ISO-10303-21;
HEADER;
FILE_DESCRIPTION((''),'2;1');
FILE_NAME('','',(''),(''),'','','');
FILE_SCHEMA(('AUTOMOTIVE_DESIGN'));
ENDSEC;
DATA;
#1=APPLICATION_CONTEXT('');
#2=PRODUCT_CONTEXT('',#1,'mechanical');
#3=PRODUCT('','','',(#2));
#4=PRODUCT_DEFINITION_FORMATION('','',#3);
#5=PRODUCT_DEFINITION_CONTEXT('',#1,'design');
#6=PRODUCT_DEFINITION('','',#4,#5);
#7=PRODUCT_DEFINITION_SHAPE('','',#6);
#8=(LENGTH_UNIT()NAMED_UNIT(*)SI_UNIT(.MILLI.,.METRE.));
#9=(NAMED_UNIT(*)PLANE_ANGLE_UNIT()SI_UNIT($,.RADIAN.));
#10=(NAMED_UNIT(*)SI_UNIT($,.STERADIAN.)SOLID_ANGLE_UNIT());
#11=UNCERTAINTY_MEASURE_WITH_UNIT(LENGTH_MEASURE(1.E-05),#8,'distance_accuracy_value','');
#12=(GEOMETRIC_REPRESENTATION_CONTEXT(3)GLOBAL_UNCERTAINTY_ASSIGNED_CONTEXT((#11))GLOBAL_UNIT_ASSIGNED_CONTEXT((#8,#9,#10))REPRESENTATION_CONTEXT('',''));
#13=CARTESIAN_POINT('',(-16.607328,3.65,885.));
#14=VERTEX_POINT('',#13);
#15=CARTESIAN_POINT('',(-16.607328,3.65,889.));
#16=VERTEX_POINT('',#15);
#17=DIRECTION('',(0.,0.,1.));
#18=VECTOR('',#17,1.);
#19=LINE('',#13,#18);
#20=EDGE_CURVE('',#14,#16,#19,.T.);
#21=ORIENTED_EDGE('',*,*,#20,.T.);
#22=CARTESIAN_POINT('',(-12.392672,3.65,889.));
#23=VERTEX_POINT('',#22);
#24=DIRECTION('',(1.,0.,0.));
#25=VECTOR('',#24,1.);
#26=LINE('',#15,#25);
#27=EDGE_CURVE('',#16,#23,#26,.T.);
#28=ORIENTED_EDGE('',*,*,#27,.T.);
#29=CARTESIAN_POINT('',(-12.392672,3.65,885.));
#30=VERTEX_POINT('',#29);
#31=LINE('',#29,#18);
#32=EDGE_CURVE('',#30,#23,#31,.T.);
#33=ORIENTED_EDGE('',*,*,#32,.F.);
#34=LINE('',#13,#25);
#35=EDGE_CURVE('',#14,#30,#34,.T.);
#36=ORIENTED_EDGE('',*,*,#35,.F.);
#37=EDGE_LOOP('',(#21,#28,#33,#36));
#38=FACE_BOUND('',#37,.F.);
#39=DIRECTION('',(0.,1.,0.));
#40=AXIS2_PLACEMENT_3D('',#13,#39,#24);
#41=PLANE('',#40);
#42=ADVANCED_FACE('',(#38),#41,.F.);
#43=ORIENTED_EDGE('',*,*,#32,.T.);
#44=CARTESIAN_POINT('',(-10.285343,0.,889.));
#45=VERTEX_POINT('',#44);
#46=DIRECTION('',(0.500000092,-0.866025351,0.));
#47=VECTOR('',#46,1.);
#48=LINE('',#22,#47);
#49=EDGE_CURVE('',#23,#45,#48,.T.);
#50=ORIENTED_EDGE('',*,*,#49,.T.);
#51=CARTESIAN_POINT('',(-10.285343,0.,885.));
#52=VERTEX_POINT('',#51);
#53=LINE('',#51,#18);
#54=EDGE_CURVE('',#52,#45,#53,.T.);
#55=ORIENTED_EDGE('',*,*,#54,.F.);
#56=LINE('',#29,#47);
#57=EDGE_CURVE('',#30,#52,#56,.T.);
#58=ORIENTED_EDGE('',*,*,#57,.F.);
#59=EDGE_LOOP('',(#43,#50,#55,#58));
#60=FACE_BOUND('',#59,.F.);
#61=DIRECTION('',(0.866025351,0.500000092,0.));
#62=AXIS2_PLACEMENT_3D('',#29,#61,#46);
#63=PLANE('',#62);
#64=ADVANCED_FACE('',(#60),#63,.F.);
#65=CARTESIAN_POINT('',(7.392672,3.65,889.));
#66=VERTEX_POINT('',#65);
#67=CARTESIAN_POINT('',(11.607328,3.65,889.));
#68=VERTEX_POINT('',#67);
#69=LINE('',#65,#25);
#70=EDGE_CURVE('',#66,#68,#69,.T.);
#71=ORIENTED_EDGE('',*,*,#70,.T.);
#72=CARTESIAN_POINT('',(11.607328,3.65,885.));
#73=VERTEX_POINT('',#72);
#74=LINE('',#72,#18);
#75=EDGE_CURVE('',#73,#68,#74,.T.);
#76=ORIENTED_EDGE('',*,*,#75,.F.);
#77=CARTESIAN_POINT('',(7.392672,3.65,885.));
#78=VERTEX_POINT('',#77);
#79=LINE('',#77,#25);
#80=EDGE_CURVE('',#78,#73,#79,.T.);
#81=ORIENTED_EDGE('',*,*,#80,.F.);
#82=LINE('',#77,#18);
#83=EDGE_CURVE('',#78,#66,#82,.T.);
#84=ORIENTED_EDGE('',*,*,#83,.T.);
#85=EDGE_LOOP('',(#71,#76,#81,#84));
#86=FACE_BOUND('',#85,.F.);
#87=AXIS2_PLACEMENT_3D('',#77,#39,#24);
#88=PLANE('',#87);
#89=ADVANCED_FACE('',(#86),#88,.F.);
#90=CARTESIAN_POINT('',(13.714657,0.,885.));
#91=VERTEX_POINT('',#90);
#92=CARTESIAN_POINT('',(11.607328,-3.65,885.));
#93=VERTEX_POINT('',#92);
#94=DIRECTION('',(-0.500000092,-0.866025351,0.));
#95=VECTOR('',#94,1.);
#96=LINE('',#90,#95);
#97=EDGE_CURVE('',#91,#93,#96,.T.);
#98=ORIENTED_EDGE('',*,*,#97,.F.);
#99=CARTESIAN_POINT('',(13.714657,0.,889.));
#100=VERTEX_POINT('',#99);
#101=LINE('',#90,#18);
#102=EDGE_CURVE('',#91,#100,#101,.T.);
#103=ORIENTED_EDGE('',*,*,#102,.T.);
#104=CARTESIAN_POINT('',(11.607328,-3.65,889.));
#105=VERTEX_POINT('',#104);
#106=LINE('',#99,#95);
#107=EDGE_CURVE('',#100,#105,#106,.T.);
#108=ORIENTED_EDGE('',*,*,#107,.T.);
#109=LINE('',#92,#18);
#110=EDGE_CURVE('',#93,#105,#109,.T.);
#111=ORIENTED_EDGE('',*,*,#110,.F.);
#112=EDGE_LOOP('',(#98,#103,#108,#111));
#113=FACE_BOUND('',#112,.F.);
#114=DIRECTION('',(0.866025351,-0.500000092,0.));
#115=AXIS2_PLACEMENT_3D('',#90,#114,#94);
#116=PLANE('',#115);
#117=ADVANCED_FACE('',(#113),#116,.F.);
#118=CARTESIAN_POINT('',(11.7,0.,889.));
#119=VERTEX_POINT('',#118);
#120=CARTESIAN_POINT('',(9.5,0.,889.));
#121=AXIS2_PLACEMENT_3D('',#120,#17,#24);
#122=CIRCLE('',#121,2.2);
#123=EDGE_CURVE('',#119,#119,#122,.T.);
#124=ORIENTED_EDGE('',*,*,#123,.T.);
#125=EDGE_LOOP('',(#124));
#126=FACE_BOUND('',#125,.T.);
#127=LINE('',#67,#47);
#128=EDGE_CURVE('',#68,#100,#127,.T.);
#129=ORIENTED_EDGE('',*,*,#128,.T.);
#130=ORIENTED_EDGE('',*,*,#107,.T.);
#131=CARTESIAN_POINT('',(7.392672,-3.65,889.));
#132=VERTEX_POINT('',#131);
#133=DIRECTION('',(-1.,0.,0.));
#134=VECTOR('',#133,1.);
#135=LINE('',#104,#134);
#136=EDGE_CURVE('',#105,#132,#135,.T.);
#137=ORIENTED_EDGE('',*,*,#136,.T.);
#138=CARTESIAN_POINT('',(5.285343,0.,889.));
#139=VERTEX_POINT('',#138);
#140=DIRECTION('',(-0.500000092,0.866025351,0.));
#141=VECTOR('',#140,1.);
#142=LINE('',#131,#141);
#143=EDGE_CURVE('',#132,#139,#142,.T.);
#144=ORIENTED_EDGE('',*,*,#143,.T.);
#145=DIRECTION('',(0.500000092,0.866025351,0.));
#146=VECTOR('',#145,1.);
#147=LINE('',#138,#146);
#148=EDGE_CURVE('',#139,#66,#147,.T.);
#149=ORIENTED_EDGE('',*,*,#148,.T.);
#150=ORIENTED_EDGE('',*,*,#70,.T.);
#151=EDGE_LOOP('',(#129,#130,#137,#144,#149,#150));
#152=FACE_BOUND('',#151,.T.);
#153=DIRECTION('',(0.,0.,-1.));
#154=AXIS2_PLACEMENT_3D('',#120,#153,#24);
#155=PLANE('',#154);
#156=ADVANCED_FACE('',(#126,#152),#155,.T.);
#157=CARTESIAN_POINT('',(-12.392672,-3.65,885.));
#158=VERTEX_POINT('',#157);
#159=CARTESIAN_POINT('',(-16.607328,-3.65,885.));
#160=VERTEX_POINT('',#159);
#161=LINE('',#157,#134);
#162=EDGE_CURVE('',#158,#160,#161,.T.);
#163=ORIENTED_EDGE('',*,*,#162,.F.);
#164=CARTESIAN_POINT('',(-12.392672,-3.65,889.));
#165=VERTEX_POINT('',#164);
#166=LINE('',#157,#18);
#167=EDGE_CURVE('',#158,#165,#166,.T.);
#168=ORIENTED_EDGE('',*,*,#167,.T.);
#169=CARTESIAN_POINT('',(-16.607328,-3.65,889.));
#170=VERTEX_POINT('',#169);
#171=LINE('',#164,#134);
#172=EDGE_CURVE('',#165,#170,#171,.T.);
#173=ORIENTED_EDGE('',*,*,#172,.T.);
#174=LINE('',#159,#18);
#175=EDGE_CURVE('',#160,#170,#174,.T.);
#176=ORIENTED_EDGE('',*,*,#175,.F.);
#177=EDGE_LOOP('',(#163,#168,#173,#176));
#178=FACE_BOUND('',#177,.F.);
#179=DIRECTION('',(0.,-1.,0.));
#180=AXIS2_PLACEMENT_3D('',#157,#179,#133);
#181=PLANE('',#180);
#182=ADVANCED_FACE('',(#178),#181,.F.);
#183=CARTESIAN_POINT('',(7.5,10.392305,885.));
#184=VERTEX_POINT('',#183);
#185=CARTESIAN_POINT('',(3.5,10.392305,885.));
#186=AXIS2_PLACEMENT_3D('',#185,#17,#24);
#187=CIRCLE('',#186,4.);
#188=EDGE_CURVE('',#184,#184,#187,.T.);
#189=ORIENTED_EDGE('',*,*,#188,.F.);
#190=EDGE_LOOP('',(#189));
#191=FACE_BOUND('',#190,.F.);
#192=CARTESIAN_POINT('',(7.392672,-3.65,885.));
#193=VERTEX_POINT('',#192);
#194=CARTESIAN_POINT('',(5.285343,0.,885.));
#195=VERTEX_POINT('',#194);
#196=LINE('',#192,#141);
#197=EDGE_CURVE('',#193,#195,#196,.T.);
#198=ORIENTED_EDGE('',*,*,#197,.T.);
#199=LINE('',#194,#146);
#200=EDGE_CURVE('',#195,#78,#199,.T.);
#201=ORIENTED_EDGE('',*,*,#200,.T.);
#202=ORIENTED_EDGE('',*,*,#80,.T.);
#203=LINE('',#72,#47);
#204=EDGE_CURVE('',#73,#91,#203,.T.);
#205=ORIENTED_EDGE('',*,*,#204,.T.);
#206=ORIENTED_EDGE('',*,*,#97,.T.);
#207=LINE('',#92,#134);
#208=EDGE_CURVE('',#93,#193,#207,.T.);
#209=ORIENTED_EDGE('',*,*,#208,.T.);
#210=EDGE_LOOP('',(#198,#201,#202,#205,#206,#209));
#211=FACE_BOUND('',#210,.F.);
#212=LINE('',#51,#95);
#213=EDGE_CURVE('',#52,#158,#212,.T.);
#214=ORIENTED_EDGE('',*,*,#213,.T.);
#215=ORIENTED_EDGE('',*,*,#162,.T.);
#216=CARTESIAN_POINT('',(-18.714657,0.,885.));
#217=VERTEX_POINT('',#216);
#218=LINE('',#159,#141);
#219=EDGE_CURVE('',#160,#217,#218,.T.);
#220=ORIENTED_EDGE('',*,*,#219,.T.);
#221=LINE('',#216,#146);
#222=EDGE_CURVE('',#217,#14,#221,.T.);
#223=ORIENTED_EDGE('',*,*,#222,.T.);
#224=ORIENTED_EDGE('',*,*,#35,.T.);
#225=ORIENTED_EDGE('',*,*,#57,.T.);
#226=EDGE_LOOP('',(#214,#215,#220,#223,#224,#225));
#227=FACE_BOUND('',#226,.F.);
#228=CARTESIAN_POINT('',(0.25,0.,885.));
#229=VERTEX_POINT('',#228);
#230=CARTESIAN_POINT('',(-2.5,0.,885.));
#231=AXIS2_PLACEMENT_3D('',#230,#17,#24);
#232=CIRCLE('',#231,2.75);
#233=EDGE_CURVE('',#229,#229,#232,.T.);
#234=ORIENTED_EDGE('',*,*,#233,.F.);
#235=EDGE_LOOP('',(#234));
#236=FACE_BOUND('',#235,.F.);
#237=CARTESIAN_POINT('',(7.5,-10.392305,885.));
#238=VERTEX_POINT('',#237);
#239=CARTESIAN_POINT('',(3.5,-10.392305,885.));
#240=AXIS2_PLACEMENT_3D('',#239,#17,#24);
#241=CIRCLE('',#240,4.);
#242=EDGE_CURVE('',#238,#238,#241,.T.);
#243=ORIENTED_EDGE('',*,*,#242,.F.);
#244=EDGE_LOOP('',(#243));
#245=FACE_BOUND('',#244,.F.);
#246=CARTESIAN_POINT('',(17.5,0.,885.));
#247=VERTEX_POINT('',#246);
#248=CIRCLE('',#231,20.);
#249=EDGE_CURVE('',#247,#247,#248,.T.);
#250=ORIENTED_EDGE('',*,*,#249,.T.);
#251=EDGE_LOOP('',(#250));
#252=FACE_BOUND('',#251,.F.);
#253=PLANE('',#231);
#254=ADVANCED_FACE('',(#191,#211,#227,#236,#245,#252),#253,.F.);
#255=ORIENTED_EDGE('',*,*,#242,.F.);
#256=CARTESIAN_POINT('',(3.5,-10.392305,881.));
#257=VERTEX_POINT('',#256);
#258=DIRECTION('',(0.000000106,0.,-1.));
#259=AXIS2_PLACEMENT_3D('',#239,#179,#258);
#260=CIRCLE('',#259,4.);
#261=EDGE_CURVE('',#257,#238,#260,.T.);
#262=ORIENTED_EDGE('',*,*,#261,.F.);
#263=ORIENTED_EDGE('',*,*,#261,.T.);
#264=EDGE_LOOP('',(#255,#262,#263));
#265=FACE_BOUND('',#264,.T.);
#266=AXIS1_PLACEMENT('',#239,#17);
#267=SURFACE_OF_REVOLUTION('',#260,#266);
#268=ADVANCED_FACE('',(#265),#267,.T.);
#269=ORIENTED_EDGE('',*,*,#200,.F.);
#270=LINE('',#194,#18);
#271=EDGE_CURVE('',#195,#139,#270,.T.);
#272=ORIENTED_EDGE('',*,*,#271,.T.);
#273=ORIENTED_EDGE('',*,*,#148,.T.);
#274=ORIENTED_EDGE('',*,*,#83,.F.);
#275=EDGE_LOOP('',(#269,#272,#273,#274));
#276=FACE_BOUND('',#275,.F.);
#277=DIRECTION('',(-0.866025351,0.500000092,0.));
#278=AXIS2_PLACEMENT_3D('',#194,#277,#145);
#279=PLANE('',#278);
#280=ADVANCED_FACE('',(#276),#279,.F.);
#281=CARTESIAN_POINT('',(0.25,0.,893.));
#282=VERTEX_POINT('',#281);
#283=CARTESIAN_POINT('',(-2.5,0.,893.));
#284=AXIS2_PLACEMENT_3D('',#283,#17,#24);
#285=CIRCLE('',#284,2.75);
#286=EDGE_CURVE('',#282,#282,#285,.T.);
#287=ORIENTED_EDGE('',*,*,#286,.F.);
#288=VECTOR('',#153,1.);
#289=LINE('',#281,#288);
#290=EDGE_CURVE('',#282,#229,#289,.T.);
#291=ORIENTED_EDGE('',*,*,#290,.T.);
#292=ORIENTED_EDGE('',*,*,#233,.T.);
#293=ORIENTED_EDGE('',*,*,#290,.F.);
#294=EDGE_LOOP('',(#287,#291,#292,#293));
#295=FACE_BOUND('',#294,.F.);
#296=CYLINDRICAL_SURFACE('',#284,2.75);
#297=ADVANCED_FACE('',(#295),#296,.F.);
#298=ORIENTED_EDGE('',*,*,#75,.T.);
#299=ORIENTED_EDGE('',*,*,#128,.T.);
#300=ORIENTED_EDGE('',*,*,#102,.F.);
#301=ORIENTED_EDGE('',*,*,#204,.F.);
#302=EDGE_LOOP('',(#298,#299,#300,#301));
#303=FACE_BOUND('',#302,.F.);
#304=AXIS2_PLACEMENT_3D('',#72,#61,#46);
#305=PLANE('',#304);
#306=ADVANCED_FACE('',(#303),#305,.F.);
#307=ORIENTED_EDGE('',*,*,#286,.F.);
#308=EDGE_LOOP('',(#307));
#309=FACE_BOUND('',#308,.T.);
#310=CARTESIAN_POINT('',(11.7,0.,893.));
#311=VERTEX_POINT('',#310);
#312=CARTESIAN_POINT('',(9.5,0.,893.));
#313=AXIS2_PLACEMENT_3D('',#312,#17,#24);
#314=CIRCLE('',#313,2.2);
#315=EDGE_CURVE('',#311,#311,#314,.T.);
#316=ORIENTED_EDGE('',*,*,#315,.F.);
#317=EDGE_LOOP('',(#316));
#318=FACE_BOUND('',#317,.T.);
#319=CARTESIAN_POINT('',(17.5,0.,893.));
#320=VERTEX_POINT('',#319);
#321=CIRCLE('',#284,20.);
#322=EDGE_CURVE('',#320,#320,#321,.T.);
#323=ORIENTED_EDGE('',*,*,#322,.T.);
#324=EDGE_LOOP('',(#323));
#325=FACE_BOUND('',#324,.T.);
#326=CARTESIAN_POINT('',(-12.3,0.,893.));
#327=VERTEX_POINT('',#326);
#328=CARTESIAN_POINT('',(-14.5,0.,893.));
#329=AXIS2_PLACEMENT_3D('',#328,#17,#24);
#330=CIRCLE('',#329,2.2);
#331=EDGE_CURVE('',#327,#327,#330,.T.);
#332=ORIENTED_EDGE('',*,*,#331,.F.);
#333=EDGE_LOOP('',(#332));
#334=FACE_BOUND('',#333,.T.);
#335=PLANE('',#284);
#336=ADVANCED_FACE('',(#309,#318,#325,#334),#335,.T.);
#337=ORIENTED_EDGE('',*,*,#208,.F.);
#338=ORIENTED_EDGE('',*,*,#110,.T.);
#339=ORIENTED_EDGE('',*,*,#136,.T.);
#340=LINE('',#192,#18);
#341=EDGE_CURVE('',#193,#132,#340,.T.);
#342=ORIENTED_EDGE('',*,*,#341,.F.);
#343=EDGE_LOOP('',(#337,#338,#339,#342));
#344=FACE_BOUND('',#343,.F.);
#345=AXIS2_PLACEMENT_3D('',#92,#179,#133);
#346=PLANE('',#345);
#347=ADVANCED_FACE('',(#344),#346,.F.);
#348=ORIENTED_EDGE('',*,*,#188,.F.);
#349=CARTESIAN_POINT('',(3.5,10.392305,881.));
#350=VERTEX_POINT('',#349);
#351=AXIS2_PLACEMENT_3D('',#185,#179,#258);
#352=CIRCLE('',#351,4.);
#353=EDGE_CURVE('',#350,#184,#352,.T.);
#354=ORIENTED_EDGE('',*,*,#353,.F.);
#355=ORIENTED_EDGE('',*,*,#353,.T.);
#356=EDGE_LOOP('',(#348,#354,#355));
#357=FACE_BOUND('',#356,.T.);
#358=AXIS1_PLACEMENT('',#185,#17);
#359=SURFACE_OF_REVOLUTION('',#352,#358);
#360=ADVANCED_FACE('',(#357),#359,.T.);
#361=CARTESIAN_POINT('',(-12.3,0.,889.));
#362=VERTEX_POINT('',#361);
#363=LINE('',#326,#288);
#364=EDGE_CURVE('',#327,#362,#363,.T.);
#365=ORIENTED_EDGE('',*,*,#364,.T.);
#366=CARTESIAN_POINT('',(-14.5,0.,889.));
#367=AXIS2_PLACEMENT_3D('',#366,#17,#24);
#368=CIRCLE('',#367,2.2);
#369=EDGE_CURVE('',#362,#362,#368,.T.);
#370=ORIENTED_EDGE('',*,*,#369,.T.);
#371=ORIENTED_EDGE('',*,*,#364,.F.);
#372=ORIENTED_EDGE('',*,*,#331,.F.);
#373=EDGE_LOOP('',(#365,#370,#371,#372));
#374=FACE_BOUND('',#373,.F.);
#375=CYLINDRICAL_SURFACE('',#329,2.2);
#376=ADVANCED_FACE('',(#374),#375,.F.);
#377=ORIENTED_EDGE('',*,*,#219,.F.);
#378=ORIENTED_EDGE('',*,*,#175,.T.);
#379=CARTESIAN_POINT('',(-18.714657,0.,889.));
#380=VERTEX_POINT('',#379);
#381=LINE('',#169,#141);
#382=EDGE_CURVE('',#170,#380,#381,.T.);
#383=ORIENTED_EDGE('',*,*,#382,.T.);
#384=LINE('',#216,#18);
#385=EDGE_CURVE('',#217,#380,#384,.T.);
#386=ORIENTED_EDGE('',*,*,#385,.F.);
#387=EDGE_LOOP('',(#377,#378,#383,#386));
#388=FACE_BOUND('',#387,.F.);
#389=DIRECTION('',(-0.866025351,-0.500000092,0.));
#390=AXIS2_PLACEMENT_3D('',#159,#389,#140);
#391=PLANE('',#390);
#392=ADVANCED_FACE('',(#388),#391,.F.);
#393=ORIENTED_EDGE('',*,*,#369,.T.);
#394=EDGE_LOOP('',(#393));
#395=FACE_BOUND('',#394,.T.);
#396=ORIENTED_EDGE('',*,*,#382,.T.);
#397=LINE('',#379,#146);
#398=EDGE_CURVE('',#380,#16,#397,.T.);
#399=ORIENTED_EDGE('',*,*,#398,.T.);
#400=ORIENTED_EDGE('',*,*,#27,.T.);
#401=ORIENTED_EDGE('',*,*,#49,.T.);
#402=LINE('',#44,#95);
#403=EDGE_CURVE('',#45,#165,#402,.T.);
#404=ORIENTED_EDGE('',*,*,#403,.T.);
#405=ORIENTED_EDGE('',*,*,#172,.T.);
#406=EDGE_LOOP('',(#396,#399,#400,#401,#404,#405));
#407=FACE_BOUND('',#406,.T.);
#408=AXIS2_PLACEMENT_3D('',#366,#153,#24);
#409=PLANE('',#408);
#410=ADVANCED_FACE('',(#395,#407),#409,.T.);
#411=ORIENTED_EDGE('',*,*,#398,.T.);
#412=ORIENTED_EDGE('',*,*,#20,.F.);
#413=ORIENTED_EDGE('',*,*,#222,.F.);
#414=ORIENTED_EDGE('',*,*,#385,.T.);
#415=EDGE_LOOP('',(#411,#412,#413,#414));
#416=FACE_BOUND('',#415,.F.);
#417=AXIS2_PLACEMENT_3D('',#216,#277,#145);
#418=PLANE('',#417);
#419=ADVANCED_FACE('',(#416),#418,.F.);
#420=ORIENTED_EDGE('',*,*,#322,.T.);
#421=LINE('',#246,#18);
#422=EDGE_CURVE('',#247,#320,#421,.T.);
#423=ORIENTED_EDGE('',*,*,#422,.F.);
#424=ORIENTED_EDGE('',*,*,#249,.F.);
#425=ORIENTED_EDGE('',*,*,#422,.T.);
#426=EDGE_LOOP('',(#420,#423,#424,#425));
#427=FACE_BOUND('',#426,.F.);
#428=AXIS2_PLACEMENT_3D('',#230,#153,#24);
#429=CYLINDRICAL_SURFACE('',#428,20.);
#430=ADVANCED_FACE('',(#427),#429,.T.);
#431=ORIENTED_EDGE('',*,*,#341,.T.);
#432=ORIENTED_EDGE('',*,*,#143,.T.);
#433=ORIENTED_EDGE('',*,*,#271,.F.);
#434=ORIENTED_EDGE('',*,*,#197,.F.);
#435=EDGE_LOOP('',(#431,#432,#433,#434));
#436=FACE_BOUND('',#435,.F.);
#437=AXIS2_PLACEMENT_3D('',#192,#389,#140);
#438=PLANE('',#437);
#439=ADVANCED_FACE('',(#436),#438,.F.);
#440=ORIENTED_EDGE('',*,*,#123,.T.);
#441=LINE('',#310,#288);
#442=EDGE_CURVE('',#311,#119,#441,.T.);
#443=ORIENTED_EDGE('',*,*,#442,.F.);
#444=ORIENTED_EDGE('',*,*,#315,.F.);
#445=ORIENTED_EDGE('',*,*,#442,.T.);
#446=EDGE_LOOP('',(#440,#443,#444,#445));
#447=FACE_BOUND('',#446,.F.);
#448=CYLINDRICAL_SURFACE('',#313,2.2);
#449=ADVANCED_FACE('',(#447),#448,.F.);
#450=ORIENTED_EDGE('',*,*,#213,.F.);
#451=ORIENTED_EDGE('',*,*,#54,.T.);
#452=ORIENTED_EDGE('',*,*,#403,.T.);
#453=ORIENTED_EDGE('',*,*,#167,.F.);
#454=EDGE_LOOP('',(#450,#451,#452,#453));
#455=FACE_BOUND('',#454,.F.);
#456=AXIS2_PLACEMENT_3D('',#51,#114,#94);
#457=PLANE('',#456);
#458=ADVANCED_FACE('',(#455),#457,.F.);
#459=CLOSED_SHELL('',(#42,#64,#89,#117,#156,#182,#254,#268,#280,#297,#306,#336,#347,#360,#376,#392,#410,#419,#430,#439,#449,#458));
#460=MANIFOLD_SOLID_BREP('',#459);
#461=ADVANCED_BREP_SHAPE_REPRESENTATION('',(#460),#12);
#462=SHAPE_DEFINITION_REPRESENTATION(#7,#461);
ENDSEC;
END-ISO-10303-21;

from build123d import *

# Parameters (mm, degrees)
CYLINDER005_R     = 20
CYLINDER005_DEPTH = 8
SKETCH006_R       = 2.2
SKETCH006_R_2     = 2.75
POCKET004_DEPTH   = 12.001
POCKET005_DEPTH   = 4


with BuildPart() as part:
    # Cylinder005 → Cylinder005 (join)
    with BuildSketch(Plane.XY):
        Circle(CYLINDER005_R)
    extrude(amount=CYLINDER005_DEPTH)

    # Sphere → Sphere (revolve)
    with BuildSketch(Plane(origin=(6, 10.392305, 0), x_dir=(1, 0, 0), z_dir=(0, -1, 0))):
        with BuildLine():
            ThreePointArc((0, -4), (2.828427, -2.828427), (4, 0))
            Line((4, 0), (0, 0))
            Line((0, 0), (0, -4))
        make_face()
    revolve(axis=Axis((6, 10.392305, 0), (0, 0, 1)))

    # Sphere001 → Sphere001 (revolve)
    with BuildSketch(Plane(origin=(6, -10.392305, 0), x_dir=(1, 0, 0), z_dir=(0, -1, 0))):
        with BuildLine():
            ThreePointArc((0, -4), (2.828427, -2.828427), (4, 0))
            Line((4, 0), (0, 0))
            Line((0, 0), (0, -4))
        make_face()
    revolve(axis=Axis((6, -10.392305, 0), (0, 0, 1)))

    # Sketch006 (on DatumPlane) → Pocket004 (cut, through all)
    with BuildSketch(Plane.XY.offset(8)):
        with Locations((-12, 0)):
            Circle(SKETCH006_R)
        with Locations((12, 0)):
            Circle(SKETCH006_R)
        Circle(SKETCH006_R_2)
    extrude(amount=-POCKET004_DEPTH, mode=Mode.SUBTRACT)

    # Sketch063 (on DatumPlane) → Pocket005 (cut)
    with BuildSketch(Plane(origin=(0, 0, 0), x_dir=(1, 0, 0), z_dir=(0, 0, -1))):
        Polygon((-9.892672, -3.65), (-7.785343, 0), (-9.892672, 3.65), (-14.107328, 3.65), (-16.214657, 0), (-14.107328, -3.65), align=None)
        Polygon((14.107328, -3.65), (16.214657, 0), (14.107328, 3.65), (9.892672, 3.65), (7.785343, 0), (9.892672, -3.65), align=None)
    extrude(amount=-POCKET005_DEPTH, mode=Mode.SUBTRACT)


with BuildPart() as part_1:
    # Body022003 placement: moved
    add(part.part.moved(Location((-2.5, 0, 885))))


solid = part_1.part
